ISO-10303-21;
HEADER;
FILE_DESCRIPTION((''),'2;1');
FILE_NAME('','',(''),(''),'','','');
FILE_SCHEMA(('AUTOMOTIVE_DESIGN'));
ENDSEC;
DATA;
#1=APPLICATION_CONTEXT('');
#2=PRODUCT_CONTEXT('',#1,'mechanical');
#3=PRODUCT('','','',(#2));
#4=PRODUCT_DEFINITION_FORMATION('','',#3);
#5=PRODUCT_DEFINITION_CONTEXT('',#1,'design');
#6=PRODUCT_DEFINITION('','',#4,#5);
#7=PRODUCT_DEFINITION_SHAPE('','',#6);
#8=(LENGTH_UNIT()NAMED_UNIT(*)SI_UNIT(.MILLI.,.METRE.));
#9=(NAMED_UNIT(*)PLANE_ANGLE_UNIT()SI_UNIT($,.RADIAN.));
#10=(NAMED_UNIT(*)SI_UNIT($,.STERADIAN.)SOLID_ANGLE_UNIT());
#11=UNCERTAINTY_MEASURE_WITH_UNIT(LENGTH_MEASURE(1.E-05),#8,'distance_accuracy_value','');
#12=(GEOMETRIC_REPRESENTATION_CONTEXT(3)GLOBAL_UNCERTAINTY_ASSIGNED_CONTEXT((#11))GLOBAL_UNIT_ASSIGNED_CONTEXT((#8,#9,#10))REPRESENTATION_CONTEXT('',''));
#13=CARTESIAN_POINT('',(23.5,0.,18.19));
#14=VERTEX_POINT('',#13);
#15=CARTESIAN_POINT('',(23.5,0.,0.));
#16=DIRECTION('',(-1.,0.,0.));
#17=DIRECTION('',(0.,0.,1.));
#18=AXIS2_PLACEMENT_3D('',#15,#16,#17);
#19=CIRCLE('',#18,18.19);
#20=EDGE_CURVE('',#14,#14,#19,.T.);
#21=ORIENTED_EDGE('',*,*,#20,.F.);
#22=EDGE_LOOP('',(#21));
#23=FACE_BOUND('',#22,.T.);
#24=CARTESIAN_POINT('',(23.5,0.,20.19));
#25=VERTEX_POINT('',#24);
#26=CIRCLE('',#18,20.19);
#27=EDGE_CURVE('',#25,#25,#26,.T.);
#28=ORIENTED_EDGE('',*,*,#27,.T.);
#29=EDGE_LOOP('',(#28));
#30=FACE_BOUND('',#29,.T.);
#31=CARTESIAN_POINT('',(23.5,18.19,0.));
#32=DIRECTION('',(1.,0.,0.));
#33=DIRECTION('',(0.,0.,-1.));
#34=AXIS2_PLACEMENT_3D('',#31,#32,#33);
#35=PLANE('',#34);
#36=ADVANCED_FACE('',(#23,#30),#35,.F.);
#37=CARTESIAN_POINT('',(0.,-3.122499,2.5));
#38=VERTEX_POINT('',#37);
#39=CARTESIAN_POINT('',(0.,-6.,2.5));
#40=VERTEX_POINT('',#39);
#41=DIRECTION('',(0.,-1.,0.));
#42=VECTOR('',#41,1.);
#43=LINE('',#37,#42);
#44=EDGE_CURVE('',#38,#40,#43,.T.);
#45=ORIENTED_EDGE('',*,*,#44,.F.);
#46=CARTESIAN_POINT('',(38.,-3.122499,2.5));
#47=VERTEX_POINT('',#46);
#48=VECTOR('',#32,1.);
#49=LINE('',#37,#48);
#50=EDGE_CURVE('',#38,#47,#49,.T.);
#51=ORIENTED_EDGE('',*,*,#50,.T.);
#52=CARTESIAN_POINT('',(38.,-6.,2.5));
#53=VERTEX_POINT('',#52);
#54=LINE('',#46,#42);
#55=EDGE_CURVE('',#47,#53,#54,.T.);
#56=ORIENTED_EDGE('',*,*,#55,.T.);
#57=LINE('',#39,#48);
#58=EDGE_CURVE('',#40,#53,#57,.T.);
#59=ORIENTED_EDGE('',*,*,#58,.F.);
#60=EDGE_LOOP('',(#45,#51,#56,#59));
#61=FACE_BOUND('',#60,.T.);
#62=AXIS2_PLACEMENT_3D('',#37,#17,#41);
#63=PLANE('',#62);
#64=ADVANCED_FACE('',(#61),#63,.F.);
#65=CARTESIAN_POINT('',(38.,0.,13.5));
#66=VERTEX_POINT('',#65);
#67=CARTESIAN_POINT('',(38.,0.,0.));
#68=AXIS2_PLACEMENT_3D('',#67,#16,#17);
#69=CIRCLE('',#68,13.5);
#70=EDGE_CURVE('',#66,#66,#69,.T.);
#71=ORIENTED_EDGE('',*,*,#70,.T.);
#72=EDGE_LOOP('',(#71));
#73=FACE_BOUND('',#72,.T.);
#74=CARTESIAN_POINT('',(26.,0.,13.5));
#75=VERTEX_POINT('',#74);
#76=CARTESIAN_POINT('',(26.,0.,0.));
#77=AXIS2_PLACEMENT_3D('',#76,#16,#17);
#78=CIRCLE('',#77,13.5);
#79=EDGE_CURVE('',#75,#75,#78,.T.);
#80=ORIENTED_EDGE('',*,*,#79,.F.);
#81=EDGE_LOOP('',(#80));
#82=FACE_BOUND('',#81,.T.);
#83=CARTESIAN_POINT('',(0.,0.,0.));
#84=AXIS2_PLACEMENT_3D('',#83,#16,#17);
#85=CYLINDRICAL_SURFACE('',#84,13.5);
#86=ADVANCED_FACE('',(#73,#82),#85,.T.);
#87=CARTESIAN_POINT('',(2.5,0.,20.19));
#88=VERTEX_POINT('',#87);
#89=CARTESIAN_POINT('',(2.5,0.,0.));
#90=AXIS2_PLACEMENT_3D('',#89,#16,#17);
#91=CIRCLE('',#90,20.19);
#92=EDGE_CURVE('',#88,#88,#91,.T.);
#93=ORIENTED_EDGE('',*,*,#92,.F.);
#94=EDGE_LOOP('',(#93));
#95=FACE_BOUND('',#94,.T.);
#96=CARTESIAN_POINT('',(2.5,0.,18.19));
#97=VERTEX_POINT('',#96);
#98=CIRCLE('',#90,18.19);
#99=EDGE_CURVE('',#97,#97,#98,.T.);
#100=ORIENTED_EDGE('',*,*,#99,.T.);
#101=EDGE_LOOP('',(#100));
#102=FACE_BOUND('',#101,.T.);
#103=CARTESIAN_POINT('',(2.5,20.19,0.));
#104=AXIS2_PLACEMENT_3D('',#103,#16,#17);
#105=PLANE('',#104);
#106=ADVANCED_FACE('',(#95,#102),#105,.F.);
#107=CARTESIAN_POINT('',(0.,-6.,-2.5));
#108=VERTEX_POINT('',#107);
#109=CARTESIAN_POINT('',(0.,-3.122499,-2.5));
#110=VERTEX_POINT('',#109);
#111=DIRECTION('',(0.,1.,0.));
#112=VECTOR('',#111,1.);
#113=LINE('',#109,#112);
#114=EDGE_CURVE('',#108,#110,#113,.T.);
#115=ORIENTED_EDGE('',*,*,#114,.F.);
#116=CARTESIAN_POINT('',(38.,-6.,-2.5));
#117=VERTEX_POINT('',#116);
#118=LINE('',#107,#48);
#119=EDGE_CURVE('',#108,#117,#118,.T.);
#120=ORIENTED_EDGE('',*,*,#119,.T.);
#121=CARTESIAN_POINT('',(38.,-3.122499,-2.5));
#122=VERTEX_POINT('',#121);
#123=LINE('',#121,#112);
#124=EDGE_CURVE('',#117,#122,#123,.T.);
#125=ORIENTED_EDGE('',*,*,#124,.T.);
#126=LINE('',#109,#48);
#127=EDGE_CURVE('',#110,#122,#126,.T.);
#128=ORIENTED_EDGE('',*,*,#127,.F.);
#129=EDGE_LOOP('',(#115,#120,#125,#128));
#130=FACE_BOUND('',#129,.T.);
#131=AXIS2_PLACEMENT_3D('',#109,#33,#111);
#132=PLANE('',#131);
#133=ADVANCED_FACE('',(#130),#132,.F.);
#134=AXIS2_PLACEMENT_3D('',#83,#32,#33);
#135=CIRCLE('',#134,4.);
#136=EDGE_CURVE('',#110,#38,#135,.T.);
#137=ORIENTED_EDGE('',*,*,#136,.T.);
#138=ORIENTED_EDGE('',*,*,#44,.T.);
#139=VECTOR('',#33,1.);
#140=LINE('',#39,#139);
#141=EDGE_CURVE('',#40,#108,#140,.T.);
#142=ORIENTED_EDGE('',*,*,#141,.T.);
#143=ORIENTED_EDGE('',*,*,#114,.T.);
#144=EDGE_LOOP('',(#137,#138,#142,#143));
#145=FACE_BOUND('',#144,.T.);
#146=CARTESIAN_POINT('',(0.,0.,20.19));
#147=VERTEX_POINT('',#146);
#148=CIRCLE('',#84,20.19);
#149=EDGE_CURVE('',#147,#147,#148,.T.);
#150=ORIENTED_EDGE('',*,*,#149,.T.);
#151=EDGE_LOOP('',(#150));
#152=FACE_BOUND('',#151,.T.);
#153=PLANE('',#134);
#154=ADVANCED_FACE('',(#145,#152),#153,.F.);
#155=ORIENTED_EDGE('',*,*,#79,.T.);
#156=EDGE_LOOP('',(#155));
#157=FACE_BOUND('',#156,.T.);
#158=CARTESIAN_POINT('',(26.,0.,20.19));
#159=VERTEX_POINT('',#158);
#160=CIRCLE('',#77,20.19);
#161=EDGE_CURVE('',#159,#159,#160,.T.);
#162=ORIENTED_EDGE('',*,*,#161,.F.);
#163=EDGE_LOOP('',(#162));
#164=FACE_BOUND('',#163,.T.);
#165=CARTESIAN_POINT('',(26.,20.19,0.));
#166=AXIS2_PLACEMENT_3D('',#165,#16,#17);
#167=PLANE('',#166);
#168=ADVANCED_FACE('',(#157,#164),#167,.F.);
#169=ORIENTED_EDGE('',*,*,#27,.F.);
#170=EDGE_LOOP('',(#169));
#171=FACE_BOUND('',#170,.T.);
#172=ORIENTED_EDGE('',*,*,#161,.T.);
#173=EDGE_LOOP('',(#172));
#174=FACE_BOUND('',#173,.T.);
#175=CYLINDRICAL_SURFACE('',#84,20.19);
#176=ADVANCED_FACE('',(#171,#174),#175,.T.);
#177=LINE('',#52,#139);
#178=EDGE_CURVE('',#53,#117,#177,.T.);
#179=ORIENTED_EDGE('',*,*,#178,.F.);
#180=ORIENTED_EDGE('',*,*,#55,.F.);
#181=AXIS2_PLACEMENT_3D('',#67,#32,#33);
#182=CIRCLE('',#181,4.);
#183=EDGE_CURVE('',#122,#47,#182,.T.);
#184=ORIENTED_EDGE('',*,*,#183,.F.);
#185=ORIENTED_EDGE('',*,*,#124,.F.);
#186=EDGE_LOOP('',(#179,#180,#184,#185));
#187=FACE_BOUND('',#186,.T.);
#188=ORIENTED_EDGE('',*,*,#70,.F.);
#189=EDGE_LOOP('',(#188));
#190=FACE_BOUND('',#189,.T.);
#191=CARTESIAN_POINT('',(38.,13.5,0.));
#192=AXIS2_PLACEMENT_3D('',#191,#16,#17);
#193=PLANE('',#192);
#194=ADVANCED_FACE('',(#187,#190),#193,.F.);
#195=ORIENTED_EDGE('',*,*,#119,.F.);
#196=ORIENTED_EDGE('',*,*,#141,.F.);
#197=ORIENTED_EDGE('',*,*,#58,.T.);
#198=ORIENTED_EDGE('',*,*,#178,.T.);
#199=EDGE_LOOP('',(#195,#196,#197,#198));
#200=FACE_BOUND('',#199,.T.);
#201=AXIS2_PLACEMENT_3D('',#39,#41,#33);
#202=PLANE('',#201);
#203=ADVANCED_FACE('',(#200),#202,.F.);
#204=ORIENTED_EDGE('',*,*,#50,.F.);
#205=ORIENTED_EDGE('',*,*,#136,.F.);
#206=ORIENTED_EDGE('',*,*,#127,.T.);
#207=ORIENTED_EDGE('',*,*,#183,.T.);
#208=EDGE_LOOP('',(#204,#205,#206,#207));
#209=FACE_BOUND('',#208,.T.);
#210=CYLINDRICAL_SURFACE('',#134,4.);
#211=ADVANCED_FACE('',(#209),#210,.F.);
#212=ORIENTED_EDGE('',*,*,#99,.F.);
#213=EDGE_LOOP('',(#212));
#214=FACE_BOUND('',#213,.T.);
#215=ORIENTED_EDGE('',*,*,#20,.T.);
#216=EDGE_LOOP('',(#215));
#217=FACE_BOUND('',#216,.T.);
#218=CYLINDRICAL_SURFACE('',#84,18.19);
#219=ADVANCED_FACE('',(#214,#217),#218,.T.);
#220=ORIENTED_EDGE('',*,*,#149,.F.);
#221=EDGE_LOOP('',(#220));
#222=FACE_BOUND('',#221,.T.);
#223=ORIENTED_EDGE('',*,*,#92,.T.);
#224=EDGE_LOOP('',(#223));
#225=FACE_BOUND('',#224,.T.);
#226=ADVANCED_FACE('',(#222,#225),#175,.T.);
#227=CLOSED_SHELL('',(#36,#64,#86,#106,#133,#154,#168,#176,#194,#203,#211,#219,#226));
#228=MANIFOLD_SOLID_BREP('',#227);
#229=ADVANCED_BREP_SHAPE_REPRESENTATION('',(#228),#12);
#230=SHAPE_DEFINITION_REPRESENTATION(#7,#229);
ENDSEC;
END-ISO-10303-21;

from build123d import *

# Parameters (mm, degrees)
CUT_EXTRUDE_1_DEPTH = 48.531801986


with BuildPart() as part:
    # 草图1 → 旋转1 (revolve)
    with BuildSketch(Plane.XY, mode=Mode.PRIVATE) as revolve_1_sk:
        Polygon((0, 0), (0, 20.19), (2.5, 20.19), (2.5, 18.19), (23.5, 18.19), (23.5, 20.19), (26, 20.19), (26, 13.5), (38, 13.5), (38, 0), align=None)
    revolve(revolve_1_sk.sketch.rotate(Axis((0, 0, 0), (1, 0, 0)), 90), axis=Axis((0, 0, 0), (1, 0, 0)))

    # 草图2 → 切除-拉伸1 (cut, through all)
    with BuildSketch(Plane(origin=(38, 0, 0), x_dir=(0, 0, -1), z_dir=(1, 0, 0))):
        with BuildLine():
            Line((-2.5, -3.122498999), (-2.5, -6))
            Line((-2.5, -6), (2.5, -6))
            Line((2.5, -6), (2.5, -3.122498999))
            ThreePointArc((2.5, -3.122498999), (0, 4), (-2.5, -3.122498999))
        make_face()
    extrude(amount=-CUT_EXTRUDE_1_DEPTH, mode=Mode.SUBTRACT)


solid = part.part
